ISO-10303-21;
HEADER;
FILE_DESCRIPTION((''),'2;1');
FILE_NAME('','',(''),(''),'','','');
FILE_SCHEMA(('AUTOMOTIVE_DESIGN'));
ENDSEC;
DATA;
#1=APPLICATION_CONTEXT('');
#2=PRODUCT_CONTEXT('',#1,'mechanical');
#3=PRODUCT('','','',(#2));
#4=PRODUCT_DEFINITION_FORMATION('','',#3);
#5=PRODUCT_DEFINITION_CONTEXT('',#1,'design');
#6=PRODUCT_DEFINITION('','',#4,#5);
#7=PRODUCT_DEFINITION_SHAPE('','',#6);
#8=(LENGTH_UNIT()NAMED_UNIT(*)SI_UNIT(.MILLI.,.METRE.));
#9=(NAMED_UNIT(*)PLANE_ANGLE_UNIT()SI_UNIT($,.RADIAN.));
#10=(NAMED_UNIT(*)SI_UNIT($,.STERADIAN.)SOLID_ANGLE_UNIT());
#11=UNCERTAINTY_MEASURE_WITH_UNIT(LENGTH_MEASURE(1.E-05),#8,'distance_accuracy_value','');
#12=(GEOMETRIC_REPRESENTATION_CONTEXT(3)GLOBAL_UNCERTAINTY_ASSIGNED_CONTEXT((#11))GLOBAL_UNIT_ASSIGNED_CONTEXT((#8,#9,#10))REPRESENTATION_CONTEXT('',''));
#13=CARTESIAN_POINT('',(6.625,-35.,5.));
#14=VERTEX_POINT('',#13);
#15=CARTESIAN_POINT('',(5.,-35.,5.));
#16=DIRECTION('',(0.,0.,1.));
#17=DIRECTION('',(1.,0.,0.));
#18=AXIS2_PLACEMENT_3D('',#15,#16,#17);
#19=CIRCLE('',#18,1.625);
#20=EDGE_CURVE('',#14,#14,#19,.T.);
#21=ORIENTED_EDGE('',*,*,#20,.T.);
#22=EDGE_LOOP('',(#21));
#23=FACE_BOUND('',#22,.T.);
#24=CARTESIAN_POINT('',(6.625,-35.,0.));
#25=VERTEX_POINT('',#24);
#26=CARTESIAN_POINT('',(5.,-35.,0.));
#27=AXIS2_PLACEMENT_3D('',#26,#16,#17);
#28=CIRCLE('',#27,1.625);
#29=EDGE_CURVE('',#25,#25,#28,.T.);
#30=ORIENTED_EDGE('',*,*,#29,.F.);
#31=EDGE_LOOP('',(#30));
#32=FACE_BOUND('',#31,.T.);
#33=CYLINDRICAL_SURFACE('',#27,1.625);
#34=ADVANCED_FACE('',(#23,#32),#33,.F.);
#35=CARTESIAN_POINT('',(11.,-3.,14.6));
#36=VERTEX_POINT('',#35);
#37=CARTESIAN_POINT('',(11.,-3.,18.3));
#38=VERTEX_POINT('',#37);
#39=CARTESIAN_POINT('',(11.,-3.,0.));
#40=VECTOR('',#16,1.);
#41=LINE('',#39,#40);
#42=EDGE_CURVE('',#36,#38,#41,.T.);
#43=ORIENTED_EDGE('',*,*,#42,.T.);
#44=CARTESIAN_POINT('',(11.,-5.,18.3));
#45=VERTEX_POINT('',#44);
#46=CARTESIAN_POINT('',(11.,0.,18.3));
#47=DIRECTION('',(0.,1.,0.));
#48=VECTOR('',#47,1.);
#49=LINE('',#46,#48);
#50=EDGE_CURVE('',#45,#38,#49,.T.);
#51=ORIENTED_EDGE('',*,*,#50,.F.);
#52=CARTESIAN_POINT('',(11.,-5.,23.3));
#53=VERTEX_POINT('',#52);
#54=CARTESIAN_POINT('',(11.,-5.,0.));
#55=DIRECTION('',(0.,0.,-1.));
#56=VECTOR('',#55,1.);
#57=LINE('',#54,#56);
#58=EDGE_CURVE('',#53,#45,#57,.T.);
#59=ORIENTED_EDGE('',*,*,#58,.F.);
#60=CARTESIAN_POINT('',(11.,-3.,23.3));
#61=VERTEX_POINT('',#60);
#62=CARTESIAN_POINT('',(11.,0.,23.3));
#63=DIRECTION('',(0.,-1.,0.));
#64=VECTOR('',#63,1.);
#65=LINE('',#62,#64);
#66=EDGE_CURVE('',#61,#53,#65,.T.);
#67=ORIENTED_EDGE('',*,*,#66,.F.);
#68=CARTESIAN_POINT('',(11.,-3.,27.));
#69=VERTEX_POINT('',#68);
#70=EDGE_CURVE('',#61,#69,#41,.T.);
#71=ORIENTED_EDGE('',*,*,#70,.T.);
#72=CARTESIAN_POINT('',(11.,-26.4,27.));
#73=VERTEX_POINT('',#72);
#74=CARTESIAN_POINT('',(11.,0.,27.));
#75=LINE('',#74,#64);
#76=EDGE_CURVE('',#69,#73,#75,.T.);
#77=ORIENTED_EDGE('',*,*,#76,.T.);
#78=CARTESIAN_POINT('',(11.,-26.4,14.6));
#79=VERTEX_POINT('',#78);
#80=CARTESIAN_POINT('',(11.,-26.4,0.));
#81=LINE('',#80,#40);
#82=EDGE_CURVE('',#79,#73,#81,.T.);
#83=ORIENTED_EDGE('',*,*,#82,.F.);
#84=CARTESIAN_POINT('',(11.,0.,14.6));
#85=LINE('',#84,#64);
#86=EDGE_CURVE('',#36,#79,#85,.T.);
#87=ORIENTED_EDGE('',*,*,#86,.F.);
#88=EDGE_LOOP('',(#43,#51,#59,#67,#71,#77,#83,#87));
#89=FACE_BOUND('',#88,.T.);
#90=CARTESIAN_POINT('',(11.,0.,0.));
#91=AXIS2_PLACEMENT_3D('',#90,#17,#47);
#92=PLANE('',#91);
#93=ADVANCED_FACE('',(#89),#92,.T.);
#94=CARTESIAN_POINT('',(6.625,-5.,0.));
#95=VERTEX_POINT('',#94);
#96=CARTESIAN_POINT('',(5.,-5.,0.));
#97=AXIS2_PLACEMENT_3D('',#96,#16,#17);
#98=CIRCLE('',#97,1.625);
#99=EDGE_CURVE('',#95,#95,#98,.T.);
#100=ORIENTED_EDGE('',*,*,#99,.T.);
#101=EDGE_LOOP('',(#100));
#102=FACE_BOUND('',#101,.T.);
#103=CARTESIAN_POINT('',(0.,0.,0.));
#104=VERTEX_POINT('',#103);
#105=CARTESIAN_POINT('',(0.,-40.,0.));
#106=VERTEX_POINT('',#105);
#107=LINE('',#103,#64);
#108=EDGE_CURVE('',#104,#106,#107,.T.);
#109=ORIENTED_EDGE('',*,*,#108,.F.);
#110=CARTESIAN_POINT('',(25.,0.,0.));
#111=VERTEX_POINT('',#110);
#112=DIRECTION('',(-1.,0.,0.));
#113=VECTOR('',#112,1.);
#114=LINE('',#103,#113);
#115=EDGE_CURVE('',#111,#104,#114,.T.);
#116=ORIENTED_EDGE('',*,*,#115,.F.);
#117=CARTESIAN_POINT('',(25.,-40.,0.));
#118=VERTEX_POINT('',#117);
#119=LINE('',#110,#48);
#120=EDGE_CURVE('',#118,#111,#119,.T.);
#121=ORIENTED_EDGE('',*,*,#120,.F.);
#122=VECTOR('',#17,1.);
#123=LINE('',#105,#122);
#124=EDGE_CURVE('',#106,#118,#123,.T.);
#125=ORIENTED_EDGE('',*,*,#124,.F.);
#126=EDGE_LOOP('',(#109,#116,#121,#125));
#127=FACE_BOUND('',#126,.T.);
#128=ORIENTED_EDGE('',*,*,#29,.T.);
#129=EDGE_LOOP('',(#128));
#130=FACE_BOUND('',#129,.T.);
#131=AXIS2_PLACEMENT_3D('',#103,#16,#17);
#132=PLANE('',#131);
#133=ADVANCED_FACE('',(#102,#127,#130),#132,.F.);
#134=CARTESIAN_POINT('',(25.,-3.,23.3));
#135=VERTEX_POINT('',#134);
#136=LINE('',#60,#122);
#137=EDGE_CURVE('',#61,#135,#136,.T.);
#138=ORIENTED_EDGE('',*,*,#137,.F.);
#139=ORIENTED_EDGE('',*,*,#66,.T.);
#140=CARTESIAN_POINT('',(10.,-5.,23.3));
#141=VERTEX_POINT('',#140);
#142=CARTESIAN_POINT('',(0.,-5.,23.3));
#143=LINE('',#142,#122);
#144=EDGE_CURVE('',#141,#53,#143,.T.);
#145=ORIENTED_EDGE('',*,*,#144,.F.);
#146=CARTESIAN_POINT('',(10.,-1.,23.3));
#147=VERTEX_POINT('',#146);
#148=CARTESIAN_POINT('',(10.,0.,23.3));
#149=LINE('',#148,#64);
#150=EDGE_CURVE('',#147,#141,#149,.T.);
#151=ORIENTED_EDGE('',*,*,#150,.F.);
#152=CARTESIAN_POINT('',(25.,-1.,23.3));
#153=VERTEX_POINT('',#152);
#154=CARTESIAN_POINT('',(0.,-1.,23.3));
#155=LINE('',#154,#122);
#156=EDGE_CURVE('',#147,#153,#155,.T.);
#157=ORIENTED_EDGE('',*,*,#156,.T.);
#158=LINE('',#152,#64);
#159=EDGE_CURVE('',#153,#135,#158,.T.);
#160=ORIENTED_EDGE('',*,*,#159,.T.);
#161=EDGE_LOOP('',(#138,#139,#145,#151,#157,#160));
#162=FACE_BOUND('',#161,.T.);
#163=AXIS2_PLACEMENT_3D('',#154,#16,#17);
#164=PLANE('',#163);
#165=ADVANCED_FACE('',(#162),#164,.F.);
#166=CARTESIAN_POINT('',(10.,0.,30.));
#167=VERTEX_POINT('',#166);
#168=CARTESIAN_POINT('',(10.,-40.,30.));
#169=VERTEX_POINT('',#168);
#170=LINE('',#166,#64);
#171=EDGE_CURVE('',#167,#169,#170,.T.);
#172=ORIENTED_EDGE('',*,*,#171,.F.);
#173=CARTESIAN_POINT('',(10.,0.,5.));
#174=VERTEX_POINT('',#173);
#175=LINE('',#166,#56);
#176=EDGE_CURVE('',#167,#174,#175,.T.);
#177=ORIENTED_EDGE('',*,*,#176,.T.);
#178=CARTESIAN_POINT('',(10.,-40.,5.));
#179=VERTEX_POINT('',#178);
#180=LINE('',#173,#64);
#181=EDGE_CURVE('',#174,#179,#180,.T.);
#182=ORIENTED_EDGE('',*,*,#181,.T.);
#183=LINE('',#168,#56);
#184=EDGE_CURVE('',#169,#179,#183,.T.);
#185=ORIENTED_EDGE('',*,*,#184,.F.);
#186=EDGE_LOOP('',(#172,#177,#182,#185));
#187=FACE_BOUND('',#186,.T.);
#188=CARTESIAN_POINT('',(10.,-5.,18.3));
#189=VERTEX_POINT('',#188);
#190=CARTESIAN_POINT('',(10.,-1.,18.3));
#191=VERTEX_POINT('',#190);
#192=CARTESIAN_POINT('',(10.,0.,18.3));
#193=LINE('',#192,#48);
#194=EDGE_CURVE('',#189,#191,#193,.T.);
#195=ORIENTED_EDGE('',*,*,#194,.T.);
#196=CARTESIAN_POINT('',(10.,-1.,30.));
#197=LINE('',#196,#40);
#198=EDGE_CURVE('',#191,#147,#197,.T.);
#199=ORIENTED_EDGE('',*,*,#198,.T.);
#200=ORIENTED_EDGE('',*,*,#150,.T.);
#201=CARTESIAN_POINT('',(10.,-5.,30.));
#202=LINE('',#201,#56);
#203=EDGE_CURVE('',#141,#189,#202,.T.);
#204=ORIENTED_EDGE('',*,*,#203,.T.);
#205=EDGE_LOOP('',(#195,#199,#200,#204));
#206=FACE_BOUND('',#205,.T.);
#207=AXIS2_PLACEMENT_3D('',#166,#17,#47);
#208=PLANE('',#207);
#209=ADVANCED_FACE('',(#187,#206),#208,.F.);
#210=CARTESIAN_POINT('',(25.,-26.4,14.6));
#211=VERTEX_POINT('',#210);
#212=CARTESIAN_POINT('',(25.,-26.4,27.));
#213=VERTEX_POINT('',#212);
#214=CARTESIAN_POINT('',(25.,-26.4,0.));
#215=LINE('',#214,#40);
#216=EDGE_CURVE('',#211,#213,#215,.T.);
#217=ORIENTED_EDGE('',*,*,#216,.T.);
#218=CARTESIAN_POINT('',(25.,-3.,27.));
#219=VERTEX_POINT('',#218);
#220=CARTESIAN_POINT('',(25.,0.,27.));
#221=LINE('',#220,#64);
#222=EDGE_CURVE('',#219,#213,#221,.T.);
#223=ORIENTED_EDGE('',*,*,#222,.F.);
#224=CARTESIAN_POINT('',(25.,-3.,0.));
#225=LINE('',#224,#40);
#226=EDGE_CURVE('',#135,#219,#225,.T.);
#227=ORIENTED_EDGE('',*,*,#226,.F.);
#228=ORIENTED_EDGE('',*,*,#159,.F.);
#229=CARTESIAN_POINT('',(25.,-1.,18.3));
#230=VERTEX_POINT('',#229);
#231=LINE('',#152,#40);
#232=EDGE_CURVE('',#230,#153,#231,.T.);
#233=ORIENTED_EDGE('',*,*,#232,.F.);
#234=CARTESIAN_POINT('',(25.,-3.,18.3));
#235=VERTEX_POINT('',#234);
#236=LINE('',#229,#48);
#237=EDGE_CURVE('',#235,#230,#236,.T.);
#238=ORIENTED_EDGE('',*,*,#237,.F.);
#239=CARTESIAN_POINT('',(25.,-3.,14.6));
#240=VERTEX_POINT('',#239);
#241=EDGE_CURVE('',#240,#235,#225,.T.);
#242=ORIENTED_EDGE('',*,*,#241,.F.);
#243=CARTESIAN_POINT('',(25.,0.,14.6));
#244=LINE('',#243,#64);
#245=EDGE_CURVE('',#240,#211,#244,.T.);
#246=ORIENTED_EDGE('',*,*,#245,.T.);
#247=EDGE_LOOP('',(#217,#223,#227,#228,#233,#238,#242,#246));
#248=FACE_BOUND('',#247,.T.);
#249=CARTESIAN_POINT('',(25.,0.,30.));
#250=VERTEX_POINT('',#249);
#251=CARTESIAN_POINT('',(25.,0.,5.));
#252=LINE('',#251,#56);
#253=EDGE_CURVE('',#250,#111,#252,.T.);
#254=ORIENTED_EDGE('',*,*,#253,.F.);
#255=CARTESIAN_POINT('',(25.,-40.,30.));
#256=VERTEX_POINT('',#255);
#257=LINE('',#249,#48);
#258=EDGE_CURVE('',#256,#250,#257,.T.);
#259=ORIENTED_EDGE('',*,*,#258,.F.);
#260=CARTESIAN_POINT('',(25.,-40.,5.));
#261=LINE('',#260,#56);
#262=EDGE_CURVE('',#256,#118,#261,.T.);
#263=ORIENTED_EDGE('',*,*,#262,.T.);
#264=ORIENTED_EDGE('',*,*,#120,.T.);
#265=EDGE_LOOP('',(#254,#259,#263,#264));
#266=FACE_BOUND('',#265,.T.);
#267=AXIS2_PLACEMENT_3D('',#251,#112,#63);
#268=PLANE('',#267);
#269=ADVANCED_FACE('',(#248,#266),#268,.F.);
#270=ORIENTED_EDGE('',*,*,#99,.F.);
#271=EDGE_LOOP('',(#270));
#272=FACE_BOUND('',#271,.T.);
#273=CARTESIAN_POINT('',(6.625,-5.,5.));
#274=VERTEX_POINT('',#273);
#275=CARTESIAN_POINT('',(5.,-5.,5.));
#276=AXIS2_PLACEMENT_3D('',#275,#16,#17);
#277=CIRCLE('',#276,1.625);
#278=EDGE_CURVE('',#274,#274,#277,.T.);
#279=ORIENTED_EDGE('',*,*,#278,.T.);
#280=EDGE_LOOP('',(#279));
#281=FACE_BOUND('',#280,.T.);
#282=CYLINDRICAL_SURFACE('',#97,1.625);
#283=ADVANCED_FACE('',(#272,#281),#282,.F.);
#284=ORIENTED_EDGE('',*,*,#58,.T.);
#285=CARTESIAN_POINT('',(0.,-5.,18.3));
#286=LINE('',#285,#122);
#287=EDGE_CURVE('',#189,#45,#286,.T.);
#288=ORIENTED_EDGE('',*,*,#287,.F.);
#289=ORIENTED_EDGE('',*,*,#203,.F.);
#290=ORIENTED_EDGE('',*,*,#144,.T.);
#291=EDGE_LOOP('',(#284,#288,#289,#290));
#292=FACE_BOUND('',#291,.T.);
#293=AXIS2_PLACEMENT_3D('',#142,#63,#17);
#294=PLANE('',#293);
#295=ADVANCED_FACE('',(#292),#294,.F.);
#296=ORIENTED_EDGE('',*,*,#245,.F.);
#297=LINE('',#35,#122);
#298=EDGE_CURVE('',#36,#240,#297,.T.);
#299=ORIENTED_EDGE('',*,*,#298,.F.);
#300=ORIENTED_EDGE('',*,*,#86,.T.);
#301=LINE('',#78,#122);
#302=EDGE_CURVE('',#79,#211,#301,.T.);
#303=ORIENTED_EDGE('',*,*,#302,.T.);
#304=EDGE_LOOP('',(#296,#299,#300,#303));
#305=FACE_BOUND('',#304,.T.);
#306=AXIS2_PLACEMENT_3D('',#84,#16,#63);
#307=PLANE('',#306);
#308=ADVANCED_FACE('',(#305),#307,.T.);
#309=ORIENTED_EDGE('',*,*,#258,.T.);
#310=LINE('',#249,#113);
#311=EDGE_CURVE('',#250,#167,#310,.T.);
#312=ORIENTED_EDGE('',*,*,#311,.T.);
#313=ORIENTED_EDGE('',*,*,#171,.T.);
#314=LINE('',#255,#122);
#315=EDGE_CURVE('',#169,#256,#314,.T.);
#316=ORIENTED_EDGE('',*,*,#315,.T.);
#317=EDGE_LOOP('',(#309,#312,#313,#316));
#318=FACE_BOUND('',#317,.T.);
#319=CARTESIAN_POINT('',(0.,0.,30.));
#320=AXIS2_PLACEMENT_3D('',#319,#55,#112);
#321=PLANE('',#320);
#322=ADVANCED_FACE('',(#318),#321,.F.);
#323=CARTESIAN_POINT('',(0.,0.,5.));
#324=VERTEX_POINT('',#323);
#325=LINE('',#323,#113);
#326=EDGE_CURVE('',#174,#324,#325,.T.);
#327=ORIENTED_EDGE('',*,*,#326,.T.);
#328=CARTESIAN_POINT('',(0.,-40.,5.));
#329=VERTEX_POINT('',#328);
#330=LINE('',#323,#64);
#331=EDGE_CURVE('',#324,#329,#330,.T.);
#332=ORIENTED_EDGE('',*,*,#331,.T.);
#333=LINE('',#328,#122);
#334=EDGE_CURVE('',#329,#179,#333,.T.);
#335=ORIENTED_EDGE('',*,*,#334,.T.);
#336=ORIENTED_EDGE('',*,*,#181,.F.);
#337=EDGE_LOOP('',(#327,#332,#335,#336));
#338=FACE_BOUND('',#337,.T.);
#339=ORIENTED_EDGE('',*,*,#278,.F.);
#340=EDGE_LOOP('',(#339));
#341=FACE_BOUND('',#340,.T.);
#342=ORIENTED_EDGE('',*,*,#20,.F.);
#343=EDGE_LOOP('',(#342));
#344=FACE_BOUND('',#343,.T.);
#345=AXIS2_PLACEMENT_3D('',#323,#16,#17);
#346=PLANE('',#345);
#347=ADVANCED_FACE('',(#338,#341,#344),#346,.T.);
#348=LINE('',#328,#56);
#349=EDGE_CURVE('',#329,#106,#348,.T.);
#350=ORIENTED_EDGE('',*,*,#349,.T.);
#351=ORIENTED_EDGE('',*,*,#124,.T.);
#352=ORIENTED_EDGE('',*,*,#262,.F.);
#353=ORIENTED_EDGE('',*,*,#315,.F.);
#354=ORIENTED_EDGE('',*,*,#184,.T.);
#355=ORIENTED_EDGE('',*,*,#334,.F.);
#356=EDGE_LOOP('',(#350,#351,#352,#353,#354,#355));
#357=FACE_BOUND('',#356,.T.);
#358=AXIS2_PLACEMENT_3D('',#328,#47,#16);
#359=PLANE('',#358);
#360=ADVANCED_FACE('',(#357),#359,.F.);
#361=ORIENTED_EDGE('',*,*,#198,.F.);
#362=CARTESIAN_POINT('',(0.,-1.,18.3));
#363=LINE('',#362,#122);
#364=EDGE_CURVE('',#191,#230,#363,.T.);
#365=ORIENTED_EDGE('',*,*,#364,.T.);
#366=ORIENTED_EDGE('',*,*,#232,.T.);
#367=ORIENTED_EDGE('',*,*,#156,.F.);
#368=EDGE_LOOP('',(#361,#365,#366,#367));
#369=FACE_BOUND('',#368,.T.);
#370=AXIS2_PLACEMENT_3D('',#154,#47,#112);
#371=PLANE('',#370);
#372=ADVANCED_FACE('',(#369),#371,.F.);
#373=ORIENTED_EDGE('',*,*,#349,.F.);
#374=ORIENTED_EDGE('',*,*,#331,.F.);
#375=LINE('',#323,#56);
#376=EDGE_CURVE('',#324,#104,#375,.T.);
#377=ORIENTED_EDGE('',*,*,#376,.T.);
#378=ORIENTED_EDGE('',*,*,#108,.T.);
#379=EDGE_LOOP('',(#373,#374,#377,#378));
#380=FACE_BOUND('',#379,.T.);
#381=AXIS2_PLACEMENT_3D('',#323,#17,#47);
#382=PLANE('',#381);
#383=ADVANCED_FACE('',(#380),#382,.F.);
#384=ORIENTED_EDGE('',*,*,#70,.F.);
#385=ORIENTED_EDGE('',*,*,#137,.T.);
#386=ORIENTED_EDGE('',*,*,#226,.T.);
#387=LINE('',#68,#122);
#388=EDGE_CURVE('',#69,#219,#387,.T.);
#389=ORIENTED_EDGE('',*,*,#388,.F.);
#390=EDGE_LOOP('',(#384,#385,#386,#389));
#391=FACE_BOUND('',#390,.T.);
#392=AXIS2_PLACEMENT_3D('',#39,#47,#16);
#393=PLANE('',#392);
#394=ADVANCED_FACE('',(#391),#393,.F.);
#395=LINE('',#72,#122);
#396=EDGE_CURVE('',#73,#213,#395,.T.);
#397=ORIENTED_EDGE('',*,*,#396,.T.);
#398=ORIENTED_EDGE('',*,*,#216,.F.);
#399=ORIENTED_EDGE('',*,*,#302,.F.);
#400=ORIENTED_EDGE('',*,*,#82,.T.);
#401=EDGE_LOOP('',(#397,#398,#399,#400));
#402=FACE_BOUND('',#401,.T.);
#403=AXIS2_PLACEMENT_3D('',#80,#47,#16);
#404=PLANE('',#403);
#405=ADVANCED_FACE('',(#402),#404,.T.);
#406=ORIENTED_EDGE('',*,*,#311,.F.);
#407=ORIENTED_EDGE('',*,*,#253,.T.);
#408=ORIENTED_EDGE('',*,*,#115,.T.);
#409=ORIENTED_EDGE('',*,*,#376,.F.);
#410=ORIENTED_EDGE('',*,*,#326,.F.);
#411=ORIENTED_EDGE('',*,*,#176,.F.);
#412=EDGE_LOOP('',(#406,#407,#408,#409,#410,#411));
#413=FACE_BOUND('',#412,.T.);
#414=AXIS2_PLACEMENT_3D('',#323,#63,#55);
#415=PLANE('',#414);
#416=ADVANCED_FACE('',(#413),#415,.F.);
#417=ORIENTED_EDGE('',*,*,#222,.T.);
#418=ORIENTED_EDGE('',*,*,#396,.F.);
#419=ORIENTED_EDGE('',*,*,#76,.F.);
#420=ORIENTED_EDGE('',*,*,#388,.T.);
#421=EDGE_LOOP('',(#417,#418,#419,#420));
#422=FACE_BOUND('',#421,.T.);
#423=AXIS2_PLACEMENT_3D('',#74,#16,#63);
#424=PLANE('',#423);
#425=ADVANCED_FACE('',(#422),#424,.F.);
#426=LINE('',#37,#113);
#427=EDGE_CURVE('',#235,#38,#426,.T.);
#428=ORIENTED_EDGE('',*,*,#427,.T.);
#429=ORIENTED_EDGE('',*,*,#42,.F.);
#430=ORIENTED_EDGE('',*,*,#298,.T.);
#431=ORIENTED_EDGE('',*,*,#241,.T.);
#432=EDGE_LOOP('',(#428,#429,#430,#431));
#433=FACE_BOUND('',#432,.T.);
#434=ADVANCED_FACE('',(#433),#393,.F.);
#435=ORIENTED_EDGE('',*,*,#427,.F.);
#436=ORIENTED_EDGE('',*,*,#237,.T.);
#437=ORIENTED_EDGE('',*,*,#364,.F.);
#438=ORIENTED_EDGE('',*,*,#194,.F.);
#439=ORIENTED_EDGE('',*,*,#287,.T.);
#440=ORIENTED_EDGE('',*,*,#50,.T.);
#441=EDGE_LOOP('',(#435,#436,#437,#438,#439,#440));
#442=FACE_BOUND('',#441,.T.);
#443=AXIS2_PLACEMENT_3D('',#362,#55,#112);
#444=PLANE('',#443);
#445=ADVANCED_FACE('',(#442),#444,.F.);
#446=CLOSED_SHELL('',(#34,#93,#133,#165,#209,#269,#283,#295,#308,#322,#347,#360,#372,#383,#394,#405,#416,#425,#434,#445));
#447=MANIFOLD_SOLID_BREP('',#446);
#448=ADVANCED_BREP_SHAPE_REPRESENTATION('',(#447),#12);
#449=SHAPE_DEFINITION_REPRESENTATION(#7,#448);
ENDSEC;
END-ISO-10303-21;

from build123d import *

# Parameters (mm, degrees)
ESQUISSE1_W             = 25
ESQUISSE1_H             = 40
BOSS_EXTRU_1_DEPTH      = 5
ESQUISSE2_R             = 1.625
ENL_V_MAT_EXTRU_1_DEPTH = 6
ESQUISSE3_W             = 15
ESQUISSE3_H             = 40
BOSS_EXTRU_2_DEPTH      = 25
ESQUISSE4_W             = 12.4
ESQUISSE4_H             = 23.4
ENL_V_MAT_EXTRU_2_DEPTH = 14
ESQUISSE5_W             = 5
ESQUISSE5_H             = 4
ENL_V_MAT_EXTRU_3_DEPTH = 26


with BuildPart() as part:
    # Esquisse1 → Boss.-Extru.1 (new body)
    with BuildSketch(Plane.XY):
        with Locations((12.5, -20)):
            Rectangle(ESQUISSE1_W, ESQUISSE1_H)
    extrude(amount=BOSS_EXTRU_1_DEPTH)

    # Esquisse2 → Enlèv. mat.-Extru.1 (cut, through all)
    with BuildSketch(Plane.XY.offset(5)):
        with Locations((5, -5)):
            Circle(ESQUISSE2_R)
        with Locations((5, -35)):
            Circle(ESQUISSE2_R)
    extrude(amount=-ENL_V_MAT_EXTRU_1_DEPTH, mode=Mode.SUBTRACT)

    # Esquisse3 → Boss.-Extru.2 (add)
    with BuildSketch(Plane.XY.offset(5)):
        with Locations((17.5, -20)):
            Rectangle(ESQUISSE3_W, ESQUISSE3_H)
    extrude(amount=BOSS_EXTRU_2_DEPTH)

    # Esquisse4 → Enlèv. mat.-Extru.2 (cut)
    with BuildSketch(Plane(origin=(25, 0, 0), x_dir=(0, 0, -1), z_dir=(1, 0, 0))):
        with Locations((-20.8, -14.7)):
            Rectangle(ESQUISSE4_W, ESQUISSE4_H)
    extrude(amount=-ENL_V_MAT_EXTRU_2_DEPTH, mode=Mode.SUBTRACT)

    # Esquisse5 → Enlèv. mat.-Extru.3 (cut, through all)
    with BuildSketch(Plane(origin=(25, 0, 0), x_dir=(0, 0, -1), z_dir=(1, 0, 0))):
        with Locations((-20.8, -3)):
            Rectangle(ESQUISSE5_W, ESQUISSE5_H)
    extrude(amount=-ENL_V_MAT_EXTRU_3_DEPTH, mode=Mode.SUBTRACT)


solid = part.part
